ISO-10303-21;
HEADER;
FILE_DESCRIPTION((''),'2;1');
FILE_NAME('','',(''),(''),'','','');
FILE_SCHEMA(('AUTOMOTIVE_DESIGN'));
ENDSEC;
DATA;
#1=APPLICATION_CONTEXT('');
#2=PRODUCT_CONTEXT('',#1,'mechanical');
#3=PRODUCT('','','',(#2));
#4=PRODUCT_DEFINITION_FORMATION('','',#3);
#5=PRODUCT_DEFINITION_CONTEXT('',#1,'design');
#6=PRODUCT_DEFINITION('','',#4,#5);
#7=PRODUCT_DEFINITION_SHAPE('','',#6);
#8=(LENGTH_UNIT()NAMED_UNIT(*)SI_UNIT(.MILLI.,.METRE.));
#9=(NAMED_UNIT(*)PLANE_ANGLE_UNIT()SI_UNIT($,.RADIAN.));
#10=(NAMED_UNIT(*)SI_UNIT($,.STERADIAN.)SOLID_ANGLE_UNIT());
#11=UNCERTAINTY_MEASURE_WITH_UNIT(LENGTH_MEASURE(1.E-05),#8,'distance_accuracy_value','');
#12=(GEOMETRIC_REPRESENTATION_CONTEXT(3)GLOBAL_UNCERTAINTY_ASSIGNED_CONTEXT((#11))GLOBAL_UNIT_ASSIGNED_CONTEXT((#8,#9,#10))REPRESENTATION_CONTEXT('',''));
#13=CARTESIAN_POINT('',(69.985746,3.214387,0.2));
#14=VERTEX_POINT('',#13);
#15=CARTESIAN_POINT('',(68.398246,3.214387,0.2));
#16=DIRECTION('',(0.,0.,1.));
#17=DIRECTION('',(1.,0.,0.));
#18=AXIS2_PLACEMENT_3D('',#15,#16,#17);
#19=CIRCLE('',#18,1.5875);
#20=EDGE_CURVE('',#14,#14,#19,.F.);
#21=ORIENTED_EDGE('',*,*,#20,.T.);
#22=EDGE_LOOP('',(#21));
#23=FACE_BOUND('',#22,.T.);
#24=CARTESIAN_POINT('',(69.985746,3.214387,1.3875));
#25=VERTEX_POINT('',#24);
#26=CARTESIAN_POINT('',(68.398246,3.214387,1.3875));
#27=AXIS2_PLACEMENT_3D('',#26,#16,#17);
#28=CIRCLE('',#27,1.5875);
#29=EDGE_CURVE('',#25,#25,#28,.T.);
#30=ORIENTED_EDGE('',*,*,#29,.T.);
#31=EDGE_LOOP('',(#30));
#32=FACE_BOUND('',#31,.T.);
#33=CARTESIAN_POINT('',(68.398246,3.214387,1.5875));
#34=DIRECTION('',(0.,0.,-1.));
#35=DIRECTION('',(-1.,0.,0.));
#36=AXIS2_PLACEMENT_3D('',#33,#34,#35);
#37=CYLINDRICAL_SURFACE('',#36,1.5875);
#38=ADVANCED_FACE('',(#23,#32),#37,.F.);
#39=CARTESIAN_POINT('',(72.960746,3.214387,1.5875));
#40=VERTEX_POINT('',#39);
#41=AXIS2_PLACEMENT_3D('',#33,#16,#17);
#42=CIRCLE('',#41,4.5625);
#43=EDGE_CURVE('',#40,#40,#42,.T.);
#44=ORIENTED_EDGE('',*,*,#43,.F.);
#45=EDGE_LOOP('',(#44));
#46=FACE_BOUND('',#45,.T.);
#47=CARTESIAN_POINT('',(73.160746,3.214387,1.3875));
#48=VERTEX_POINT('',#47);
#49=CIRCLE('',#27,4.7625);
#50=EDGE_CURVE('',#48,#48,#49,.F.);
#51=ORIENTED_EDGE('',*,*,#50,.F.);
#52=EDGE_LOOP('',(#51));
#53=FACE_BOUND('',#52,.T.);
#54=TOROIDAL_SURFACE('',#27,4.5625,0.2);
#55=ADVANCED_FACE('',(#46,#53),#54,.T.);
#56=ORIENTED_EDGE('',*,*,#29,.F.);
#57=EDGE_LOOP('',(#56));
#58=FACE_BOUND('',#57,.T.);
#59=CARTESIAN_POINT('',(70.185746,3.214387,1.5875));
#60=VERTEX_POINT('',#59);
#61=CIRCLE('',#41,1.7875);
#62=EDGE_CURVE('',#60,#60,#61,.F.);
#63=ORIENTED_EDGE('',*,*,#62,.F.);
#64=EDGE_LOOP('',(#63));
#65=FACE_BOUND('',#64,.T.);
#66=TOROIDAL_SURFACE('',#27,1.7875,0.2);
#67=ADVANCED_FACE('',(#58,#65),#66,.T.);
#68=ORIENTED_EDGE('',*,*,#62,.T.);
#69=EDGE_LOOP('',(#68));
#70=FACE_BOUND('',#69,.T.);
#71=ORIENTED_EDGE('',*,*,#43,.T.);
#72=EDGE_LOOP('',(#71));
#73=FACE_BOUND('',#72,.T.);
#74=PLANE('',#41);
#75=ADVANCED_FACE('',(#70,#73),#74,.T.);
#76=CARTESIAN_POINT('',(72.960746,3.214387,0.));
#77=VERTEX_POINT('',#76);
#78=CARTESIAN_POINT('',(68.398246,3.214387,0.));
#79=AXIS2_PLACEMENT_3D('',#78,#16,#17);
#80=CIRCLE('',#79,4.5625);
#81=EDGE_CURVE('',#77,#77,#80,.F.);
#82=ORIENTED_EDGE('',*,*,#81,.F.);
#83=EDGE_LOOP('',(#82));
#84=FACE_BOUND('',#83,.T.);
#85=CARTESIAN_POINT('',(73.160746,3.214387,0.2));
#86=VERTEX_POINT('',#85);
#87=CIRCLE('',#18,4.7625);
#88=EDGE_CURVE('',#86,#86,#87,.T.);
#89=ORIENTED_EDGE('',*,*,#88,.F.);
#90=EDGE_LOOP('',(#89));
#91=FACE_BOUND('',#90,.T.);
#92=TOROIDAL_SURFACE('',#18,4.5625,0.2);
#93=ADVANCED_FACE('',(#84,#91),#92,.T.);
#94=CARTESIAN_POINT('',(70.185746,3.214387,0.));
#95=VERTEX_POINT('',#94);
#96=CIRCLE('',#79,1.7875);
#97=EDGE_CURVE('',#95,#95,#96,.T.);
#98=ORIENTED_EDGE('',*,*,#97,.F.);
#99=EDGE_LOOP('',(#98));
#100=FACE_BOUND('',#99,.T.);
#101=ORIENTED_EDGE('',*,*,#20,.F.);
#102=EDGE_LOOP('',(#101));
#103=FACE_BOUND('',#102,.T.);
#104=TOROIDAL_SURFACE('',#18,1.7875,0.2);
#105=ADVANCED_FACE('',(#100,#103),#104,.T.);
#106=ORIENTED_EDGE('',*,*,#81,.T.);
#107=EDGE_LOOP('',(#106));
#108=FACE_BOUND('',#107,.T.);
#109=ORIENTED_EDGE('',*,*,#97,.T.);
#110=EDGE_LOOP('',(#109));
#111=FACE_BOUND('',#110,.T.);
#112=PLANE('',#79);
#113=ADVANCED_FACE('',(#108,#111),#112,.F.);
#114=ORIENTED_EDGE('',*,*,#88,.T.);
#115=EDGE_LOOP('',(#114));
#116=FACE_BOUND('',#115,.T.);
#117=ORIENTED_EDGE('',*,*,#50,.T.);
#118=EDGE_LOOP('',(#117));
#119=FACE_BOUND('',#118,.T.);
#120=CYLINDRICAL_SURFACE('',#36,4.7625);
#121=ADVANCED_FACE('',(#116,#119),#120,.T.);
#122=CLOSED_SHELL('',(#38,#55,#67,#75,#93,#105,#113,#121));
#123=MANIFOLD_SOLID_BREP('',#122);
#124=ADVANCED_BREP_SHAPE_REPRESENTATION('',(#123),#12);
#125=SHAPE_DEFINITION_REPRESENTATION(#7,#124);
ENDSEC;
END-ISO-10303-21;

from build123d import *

# Parameters (mm, degrees)
SKETCH1_R           = 4.7625
BOSS_EXTRUDE1_DEPTH = 1.5875
SKETCH2_R           = 1.5875
CUT_EXTRUDE1_DEPTH  = 74.611450938
FILLET1_R           = 0.2
FILLET2_R           = 0.2


with BuildPart() as part:
    # Sketch1 → Boss-Extrude1 (new body)
    with BuildSketch(Plane.XY):
        with Locations((68.398246491, 3.214386977)):
            Circle(SKETCH1_R)
    extrude(amount=BOSS_EXTRUDE1_DEPTH)

    # Sketch2 → Cut-Extrude1 (cut, through all)
    with BuildSketch(Plane(origin=(0, 0, 0), x_dir=(-1, 0, 0), z_dir=(0, 0, -1))):
        with Locations((-68.398246491, 3.214386977)):
            Circle(SKETCH2_R)
    extrude(amount=-CUT_EXTRUDE1_DEPTH, mode=Mode.SUBTRACT)

    # Fillet1
    fillet1_edges = [part.edges().sort_by_distance(p)[0] for p in [
        (63.635746491, 3.214386977, 1.5875),
        (69.985746491, 3.214386977, 1.5875),
        (69.985746491, 3.214386977, 0),
    ]]
    fillet(fillet1_edges, radius=FILLET1_R)

    # Fillet2
    fillet2_edges = [part.edges().sort_by_distance(p)[0] for p in [
        (63.635746491, 3.214386977, 0),
    ]]
    fillet(fillet2_edges, radius=FILLET2_R)


solid = part.part
